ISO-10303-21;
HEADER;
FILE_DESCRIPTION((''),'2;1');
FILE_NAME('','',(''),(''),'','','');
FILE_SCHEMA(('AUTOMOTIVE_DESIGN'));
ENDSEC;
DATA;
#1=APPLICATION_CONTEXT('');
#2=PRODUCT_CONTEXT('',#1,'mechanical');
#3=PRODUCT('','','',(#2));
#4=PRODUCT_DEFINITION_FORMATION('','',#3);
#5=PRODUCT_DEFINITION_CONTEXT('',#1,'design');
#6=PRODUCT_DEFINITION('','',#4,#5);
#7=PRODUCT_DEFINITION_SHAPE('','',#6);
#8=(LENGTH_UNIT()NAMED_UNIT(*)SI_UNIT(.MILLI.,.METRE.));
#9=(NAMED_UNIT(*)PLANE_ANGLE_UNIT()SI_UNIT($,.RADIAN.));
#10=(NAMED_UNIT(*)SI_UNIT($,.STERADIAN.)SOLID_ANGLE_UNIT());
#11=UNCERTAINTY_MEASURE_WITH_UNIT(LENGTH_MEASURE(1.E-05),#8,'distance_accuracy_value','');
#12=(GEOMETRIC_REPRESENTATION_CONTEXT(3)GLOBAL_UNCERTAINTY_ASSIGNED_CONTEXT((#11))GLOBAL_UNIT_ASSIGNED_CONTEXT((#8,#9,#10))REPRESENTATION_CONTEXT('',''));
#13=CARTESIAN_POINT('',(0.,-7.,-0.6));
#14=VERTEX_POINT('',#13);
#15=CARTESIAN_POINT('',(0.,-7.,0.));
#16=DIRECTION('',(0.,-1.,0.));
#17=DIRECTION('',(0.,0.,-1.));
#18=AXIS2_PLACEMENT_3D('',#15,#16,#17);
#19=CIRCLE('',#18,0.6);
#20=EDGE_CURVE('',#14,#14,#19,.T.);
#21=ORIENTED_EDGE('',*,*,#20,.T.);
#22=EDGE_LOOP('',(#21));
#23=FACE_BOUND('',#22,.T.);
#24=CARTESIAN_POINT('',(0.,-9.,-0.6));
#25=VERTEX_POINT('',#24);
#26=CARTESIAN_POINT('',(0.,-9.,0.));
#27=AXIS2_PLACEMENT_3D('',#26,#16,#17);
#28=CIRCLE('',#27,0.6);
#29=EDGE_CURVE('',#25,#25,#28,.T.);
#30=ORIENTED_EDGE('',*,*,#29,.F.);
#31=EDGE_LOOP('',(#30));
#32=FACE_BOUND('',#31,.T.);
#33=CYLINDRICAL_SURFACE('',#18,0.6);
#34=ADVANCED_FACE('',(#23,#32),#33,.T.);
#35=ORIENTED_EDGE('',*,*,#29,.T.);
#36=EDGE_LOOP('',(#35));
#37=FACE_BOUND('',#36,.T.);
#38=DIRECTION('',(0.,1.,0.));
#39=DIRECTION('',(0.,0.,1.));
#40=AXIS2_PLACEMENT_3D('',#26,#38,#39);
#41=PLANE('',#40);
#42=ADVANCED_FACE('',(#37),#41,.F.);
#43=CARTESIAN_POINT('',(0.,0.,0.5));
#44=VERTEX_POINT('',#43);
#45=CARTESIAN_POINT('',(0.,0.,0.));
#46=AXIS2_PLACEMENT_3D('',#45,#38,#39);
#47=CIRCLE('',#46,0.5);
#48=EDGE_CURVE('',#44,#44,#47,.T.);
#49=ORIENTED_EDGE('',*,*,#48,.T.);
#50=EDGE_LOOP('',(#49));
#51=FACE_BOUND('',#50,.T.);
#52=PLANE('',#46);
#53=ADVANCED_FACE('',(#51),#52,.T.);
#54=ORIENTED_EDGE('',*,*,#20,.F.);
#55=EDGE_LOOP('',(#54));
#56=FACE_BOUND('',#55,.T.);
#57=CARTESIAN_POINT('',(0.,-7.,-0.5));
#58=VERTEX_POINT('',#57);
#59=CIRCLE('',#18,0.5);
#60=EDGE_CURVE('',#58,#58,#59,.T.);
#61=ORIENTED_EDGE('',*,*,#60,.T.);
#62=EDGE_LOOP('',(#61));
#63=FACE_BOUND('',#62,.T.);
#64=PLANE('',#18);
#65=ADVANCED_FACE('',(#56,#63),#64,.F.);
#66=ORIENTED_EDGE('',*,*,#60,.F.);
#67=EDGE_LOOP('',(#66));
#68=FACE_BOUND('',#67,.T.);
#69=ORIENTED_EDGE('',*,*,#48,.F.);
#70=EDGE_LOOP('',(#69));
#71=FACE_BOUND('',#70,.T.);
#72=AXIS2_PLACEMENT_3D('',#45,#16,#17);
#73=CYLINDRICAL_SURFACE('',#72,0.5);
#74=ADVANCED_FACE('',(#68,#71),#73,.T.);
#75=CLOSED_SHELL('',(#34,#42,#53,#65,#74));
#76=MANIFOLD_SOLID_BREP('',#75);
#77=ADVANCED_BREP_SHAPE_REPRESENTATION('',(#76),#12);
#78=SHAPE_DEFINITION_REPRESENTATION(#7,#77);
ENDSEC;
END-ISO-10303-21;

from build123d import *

# Parameters (mm, degrees)
SKETCH1_R           = 0.5
SKETCH3_R           = 0.6
BOSS_EXTRUDE1_DEPTH = 2


with BuildPart() as part:
    # Sweep1: sweep along a path in Sketch2
    with BuildLine(Plane(origin=(0, 0, 0), x_dir=(0, 0, -1), z_dir=(1, 0, 0))) as sweep1_path:
        Line((0, 0), (0, -9))
    # Sketch1 → Sweep1 (sweep)
    with BuildSketch(Plane(origin=(0, 0, 0), x_dir=(1, 0, 0), z_dir=(0, 1, 0))):
        Circle(SKETCH1_R)
    sweep(path=sweep1_path.line)

    # Sketch3 → Boss-Extrude1 (add)
    with BuildSketch(Plane.XZ.offset(9)):
        with Locations(Location((0, 0, 0), (0, 0, 270))):
            Circle(SKETCH3_R)
    extrude(amount=-BOSS_EXTRUDE1_DEPTH)


solid = part.part
